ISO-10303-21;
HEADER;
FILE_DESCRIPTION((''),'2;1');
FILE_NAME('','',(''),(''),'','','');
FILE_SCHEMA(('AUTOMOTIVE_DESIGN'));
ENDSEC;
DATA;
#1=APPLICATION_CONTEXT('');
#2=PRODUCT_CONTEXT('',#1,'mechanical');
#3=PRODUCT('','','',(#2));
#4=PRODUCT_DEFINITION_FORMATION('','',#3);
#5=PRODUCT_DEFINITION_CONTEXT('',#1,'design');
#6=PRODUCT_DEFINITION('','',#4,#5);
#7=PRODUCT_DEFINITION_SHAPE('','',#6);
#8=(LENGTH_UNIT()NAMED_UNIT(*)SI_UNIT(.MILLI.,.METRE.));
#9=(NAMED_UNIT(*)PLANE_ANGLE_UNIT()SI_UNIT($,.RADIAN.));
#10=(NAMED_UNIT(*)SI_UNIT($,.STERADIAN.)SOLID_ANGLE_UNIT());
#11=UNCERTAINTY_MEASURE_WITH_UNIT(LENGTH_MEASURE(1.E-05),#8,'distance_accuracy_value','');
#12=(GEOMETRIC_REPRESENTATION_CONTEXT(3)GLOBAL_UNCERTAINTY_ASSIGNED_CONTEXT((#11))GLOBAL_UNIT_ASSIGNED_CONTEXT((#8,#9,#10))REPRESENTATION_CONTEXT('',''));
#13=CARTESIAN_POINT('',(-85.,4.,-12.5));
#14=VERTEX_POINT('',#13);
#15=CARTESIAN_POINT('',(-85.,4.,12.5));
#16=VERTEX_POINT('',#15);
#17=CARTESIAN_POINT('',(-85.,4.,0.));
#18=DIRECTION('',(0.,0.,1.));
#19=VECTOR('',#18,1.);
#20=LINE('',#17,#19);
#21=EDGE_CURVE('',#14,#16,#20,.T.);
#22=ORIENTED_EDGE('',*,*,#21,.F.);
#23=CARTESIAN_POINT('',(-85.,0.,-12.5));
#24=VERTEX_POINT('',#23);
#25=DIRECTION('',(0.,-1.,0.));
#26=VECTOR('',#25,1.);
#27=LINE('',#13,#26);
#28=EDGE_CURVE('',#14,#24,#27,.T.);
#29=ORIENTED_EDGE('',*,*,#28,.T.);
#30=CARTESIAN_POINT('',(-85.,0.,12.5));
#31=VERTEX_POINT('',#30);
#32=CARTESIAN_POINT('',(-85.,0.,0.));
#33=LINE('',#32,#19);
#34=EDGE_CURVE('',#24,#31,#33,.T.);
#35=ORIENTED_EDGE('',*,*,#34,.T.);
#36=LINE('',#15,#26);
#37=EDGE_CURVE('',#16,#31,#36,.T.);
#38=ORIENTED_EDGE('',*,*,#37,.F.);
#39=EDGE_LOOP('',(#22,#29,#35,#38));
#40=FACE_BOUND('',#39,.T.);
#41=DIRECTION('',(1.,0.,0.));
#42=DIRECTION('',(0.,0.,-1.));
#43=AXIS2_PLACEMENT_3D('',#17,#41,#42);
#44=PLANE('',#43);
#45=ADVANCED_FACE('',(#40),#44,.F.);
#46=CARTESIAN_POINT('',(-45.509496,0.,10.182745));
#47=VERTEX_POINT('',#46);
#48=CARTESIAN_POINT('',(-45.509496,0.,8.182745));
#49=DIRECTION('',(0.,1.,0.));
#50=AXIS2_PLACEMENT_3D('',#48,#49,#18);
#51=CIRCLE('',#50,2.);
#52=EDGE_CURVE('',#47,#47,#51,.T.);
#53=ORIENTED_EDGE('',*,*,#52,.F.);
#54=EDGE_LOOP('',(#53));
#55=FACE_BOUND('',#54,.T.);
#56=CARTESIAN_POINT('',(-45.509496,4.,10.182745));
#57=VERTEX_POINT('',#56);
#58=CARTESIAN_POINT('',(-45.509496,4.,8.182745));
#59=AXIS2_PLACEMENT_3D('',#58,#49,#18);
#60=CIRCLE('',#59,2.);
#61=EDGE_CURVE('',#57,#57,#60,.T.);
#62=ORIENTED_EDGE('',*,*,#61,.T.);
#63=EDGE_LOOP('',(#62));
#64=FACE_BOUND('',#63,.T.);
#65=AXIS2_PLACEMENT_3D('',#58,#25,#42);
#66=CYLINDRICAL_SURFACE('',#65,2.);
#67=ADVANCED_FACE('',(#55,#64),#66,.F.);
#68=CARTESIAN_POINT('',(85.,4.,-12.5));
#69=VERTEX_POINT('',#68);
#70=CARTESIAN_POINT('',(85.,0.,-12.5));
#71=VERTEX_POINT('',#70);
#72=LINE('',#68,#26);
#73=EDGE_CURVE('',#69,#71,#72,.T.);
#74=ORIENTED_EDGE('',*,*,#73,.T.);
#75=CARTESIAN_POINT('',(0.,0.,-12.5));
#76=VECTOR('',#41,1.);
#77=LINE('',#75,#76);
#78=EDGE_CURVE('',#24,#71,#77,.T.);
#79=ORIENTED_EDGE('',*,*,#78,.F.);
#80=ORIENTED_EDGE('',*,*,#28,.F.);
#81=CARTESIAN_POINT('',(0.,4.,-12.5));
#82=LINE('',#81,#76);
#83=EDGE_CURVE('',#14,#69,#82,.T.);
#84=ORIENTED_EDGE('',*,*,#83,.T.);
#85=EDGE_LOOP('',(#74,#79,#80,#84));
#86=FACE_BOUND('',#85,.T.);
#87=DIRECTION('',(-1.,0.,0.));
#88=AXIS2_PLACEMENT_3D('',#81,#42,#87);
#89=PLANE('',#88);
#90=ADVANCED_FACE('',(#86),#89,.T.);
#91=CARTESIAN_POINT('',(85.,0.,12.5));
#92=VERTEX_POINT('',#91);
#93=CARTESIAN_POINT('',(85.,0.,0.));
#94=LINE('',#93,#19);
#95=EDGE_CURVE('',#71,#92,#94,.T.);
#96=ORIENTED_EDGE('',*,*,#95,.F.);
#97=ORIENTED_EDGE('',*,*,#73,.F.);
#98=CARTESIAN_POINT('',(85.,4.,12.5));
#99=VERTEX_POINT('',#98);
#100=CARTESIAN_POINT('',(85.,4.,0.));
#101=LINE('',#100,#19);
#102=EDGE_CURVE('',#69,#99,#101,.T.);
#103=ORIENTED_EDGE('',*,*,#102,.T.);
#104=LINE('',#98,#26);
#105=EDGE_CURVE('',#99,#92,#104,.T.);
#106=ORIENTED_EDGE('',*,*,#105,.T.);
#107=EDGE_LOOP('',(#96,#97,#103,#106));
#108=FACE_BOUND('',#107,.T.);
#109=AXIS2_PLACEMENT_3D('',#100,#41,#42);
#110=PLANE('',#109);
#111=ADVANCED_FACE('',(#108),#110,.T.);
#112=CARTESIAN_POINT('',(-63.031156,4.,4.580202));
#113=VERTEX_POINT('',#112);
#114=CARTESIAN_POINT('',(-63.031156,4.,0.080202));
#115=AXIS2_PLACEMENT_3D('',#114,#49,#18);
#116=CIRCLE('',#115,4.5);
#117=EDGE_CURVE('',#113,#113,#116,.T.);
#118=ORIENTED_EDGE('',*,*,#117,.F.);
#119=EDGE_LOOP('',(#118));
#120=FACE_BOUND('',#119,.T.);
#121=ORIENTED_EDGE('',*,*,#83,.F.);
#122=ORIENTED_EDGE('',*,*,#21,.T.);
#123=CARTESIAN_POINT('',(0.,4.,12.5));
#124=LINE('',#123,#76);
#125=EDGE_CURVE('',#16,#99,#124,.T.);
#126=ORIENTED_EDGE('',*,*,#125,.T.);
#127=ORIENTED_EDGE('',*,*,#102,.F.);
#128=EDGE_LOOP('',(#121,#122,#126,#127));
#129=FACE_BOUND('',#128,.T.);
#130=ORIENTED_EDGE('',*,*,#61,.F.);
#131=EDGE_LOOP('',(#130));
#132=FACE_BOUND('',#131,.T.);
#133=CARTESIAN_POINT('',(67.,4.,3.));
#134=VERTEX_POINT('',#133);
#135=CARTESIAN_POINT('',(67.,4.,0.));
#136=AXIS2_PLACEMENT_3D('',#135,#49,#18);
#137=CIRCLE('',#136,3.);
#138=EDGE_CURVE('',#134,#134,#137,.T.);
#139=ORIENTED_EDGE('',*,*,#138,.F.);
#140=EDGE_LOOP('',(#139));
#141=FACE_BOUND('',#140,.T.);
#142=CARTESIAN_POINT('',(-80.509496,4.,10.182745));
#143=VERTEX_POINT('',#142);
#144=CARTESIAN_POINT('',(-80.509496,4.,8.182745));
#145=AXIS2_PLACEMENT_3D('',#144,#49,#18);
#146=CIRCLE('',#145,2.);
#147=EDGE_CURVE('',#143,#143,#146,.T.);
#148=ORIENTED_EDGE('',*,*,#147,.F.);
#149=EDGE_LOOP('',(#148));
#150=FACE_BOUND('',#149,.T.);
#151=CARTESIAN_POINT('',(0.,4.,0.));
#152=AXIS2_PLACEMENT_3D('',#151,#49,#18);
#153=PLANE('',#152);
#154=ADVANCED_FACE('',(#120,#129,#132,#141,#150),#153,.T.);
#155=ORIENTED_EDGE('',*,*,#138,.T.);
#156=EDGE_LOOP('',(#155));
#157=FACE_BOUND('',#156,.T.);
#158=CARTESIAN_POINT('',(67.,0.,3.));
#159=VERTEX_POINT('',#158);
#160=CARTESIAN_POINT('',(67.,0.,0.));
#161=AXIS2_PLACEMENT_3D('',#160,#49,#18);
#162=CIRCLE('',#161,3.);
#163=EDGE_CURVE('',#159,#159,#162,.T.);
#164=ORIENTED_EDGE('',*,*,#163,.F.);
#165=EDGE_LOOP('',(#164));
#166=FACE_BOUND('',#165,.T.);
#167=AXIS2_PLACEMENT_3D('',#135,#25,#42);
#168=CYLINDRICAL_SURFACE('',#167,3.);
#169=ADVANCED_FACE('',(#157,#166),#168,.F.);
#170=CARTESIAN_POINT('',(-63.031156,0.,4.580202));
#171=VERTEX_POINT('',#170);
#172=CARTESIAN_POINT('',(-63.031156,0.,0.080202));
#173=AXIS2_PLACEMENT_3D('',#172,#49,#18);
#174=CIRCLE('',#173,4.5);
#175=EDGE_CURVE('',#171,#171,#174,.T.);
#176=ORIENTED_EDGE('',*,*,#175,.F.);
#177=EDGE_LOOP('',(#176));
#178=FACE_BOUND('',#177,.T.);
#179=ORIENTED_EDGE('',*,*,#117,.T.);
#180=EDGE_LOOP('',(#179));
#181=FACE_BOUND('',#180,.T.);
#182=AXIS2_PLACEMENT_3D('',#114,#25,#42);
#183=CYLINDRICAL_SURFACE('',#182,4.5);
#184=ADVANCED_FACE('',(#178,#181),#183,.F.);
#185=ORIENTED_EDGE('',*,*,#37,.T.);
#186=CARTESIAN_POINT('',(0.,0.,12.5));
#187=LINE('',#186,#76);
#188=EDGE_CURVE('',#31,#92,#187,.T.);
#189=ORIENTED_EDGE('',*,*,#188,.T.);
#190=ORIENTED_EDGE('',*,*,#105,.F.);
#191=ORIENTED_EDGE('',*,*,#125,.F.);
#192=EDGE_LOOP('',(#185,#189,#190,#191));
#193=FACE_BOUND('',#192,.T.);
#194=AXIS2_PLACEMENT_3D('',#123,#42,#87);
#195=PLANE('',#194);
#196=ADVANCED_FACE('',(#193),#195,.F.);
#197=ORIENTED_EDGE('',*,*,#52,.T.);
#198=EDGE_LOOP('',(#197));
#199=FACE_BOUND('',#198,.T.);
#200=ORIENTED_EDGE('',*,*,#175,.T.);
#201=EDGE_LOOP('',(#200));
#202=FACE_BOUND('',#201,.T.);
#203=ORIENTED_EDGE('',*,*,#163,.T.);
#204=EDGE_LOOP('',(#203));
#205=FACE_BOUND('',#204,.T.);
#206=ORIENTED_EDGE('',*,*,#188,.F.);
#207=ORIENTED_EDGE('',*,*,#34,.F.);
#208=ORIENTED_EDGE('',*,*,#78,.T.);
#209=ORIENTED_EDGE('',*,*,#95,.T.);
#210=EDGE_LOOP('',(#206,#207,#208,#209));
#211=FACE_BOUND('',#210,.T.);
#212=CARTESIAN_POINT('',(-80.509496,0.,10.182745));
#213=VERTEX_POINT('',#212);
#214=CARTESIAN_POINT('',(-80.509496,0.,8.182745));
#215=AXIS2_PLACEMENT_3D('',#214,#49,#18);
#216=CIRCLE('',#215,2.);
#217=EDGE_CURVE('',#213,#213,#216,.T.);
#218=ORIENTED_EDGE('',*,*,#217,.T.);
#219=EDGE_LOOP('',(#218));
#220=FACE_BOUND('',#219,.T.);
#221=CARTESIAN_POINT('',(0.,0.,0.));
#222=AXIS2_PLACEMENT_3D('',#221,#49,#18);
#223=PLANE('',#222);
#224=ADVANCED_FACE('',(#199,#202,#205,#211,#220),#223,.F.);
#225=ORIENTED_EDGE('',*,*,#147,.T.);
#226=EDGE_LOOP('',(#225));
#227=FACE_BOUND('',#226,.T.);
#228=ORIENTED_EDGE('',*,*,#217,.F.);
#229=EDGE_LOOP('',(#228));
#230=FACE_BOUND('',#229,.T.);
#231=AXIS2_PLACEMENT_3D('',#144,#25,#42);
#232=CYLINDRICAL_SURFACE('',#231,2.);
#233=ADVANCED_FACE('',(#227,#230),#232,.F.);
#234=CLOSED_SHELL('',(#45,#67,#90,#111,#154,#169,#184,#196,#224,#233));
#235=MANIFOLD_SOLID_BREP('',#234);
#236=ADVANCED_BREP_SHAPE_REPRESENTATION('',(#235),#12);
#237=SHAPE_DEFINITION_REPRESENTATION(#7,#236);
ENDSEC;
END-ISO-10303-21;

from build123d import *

# Parameters (mm, degrees)
SKETCH1_W           = 170
SKETCH1_H           = 25
SKETCH1_R           = 4.5
SKETCH1_R_2         = 2
SKETCH1_R_3         = 3
BOSS_EXTRUDE1_DEPTH = 4


with BuildPart() as part:
    # Sketch1 → Boss-Extrude1 (new body)
    with BuildSketch(Plane(origin=(0, 0, 0), x_dir=(1, 0, 0), z_dir=(0, 1, 0))):
        Rectangle(SKETCH1_W, SKETCH1_H)
        with Locations(Location((-63.031156016, -0.080201784, 0), (0, 0, 270))):
            Circle(SKETCH1_R, mode=Mode.SUBTRACT)
        with Locations(Location((-80.509495504, -8.182745221, 0), (0, 0, 270))):
            Circle(SKETCH1_R_2, mode=Mode.SUBTRACT)
        with Locations(Location((-45.509495504, -8.182745221, 0), (0, 0, 270))):
            Circle(SKETCH1_R_2, mode=Mode.SUBTRACT)
        with Locations(Location((67, 0, 0), (0, 0, 270))):
            Circle(SKETCH1_R_3, mode=Mode.SUBTRACT)
    extrude(amount=BOSS_EXTRUDE1_DEPTH)


solid = part.part
